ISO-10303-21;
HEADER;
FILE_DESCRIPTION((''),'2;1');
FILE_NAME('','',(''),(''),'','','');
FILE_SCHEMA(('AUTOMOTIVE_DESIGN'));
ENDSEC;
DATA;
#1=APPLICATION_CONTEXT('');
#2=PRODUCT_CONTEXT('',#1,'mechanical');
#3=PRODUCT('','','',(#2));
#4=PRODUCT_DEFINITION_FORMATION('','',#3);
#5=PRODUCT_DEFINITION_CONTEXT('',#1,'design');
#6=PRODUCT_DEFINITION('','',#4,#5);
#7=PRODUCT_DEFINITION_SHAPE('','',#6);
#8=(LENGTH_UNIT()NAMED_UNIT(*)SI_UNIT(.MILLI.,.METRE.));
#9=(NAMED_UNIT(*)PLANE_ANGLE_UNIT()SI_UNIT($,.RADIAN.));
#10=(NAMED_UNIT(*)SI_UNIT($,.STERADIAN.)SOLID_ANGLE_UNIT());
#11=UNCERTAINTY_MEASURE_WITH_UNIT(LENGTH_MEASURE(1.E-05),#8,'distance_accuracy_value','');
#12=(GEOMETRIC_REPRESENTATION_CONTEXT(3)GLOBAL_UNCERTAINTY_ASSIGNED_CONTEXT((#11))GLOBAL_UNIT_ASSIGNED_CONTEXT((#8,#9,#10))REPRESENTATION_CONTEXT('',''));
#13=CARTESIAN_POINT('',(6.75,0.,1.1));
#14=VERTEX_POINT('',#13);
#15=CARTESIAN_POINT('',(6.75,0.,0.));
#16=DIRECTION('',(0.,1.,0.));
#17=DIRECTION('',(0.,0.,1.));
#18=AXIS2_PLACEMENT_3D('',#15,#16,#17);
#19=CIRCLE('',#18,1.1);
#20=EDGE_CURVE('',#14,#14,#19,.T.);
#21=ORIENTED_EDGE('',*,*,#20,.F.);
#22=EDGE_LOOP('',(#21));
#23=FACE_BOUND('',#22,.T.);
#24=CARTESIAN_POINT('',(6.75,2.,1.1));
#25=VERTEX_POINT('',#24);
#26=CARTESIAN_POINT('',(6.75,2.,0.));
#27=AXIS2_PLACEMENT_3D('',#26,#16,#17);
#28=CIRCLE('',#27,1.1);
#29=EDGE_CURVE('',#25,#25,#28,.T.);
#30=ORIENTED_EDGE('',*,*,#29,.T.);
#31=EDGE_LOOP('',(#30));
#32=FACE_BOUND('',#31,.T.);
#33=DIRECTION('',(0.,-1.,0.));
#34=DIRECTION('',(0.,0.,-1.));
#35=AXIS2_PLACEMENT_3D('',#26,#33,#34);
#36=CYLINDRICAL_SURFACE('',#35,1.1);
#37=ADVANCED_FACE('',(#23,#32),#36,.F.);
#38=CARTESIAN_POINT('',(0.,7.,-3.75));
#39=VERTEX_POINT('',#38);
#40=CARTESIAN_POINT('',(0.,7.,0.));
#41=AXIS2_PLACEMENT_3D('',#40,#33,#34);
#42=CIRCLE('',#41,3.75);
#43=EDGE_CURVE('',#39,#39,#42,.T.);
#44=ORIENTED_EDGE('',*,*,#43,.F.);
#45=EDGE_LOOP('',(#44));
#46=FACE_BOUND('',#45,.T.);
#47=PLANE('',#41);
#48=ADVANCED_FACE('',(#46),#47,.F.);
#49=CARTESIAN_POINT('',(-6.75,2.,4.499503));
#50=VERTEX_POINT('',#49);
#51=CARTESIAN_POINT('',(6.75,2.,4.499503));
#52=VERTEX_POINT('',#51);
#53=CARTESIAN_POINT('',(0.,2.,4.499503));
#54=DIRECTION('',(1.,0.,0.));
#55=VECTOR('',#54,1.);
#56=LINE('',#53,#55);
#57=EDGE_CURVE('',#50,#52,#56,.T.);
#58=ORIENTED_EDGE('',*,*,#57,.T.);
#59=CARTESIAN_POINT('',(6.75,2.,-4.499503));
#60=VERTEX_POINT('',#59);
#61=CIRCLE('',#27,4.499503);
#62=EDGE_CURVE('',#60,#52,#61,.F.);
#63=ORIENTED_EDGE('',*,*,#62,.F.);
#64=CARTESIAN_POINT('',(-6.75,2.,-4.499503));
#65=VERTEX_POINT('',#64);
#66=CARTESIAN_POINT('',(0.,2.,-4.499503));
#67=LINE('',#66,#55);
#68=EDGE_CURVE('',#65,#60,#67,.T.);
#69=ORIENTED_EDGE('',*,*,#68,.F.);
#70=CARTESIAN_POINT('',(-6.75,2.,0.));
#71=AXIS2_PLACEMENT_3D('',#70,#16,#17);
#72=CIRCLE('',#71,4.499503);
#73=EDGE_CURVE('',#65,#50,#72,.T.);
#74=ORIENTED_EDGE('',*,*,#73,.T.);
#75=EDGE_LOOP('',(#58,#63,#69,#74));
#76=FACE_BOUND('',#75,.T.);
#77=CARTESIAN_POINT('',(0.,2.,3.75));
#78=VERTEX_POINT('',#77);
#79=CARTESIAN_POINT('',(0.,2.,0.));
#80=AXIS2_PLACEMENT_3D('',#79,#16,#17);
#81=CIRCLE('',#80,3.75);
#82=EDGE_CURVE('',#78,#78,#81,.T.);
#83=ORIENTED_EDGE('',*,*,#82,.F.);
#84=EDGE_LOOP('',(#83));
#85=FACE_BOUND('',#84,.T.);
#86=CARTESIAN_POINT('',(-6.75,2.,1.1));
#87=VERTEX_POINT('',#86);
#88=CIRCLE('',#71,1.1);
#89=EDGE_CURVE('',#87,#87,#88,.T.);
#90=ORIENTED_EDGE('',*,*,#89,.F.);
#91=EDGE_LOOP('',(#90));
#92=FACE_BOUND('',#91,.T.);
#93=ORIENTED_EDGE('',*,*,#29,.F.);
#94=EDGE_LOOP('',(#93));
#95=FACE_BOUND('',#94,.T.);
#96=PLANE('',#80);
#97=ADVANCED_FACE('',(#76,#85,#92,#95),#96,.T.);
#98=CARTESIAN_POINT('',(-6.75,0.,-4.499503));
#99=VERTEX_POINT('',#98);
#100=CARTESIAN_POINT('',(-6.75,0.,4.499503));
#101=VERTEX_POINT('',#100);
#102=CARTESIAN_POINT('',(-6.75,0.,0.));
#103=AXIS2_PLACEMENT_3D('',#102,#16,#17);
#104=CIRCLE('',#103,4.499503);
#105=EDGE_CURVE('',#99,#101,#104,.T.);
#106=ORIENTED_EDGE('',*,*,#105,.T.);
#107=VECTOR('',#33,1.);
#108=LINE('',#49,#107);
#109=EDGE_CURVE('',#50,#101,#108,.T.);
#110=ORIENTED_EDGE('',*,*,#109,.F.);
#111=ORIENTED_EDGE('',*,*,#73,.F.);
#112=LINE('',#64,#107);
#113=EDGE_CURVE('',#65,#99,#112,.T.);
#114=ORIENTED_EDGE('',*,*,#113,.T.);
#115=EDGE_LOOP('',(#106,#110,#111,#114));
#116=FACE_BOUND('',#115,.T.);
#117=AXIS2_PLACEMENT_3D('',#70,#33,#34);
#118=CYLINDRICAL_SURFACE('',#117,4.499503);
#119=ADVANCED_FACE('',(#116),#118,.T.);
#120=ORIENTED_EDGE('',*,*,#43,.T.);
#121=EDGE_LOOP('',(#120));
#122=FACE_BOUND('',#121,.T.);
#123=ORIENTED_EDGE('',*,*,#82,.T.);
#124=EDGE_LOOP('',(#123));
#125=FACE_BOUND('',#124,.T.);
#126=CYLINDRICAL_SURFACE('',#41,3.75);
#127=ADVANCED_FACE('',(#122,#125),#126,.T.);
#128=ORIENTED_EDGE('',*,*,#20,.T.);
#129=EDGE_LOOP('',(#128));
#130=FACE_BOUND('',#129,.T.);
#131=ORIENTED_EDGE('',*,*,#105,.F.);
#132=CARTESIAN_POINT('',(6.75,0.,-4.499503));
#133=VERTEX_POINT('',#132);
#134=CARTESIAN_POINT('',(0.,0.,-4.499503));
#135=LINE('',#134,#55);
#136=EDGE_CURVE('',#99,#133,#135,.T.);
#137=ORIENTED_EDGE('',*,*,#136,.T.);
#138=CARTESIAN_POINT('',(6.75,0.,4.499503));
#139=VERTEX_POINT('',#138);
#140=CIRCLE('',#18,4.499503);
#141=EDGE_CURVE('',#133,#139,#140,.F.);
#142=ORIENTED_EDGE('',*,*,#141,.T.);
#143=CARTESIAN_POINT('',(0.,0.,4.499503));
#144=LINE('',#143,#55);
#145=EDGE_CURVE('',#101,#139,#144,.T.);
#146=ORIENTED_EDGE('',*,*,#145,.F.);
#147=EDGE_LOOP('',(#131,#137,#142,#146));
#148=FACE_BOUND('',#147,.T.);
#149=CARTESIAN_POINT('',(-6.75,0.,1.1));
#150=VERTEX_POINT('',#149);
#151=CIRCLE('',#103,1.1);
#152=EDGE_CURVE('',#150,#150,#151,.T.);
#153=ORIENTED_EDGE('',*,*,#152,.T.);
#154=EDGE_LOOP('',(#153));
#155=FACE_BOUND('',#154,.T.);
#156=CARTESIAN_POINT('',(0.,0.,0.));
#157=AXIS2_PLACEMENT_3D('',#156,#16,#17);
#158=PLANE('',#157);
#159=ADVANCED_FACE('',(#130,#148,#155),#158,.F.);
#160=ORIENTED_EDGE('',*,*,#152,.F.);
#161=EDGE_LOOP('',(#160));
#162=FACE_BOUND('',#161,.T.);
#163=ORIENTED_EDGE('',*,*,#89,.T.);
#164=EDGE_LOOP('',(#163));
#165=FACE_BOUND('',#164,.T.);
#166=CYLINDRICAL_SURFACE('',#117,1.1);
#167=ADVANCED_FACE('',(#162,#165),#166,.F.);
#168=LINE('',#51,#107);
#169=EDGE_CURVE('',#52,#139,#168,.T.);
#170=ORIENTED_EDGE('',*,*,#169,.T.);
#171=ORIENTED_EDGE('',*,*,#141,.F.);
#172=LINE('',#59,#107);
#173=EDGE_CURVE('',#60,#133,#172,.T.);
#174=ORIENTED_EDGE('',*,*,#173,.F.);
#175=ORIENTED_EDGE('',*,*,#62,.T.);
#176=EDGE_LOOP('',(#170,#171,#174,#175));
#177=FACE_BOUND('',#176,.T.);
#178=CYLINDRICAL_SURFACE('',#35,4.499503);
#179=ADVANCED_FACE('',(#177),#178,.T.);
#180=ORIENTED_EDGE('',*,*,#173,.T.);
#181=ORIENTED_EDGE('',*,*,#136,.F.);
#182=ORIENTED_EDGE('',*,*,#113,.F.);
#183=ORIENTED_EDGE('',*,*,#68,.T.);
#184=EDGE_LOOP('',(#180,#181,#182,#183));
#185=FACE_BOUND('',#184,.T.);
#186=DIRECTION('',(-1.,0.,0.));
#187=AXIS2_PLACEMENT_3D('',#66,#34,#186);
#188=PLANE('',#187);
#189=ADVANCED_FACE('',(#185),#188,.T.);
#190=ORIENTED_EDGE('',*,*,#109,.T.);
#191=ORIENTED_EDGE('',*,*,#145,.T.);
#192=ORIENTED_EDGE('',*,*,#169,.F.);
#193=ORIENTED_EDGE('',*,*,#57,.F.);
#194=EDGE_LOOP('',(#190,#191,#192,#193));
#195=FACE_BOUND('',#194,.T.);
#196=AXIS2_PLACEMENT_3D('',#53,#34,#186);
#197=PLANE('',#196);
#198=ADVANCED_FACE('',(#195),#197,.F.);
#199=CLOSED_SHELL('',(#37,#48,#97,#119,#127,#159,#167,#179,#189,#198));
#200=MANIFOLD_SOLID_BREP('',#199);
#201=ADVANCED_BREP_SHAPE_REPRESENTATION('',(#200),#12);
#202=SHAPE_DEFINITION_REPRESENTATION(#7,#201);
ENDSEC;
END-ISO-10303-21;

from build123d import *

# Parameters (mm, degrees)
SKETCH1_R           = 1.1
SKETCH1_R_2         = 3.75
BOSS_EXTRUDE3_DEPTH = 2
SKETCH3_R           = 3.75
BOSS_EXTRUDE4_DEPTH = 7


with BuildPart() as part:
    # Sketch1 → Boss-Extrude3 (new body)
    with BuildSketch(Plane(origin=(0, 0, 0), x_dir=(1, 0, 0), z_dir=(0, 1, 0))):
        with BuildLine():
            Line((-6.75, 4.499502967), (6.75, 4.499502967))
            ThreePointArc((6.75, 4.499502967), (11.249502967, 0), (6.75, -4.499502967))
            Line((6.75, -4.499502967), (-6.75, -4.499502967))
            ThreePointArc((-6.75, -4.499502967), (-11.249502967, 0), (-6.75, 4.499502967))
        make_face()
        with Locations((-6.75, 0)):
            Circle(SKETCH1_R, mode=Mode.SUBTRACT)
        with Locations((6.75, 0)):
            Circle(SKETCH1_R, mode=Mode.SUBTRACT)
        Circle(SKETCH1_R_2, mode=Mode.SUBTRACT)
    extrude(amount=BOSS_EXTRUDE3_DEPTH)

    # Sketch3 → Boss-Extrude4 (add)
    with BuildSketch(Plane.XZ):
        Circle(SKETCH3_R)
    extrude(amount=-BOSS_EXTRUDE4_DEPTH)


solid = part.part
